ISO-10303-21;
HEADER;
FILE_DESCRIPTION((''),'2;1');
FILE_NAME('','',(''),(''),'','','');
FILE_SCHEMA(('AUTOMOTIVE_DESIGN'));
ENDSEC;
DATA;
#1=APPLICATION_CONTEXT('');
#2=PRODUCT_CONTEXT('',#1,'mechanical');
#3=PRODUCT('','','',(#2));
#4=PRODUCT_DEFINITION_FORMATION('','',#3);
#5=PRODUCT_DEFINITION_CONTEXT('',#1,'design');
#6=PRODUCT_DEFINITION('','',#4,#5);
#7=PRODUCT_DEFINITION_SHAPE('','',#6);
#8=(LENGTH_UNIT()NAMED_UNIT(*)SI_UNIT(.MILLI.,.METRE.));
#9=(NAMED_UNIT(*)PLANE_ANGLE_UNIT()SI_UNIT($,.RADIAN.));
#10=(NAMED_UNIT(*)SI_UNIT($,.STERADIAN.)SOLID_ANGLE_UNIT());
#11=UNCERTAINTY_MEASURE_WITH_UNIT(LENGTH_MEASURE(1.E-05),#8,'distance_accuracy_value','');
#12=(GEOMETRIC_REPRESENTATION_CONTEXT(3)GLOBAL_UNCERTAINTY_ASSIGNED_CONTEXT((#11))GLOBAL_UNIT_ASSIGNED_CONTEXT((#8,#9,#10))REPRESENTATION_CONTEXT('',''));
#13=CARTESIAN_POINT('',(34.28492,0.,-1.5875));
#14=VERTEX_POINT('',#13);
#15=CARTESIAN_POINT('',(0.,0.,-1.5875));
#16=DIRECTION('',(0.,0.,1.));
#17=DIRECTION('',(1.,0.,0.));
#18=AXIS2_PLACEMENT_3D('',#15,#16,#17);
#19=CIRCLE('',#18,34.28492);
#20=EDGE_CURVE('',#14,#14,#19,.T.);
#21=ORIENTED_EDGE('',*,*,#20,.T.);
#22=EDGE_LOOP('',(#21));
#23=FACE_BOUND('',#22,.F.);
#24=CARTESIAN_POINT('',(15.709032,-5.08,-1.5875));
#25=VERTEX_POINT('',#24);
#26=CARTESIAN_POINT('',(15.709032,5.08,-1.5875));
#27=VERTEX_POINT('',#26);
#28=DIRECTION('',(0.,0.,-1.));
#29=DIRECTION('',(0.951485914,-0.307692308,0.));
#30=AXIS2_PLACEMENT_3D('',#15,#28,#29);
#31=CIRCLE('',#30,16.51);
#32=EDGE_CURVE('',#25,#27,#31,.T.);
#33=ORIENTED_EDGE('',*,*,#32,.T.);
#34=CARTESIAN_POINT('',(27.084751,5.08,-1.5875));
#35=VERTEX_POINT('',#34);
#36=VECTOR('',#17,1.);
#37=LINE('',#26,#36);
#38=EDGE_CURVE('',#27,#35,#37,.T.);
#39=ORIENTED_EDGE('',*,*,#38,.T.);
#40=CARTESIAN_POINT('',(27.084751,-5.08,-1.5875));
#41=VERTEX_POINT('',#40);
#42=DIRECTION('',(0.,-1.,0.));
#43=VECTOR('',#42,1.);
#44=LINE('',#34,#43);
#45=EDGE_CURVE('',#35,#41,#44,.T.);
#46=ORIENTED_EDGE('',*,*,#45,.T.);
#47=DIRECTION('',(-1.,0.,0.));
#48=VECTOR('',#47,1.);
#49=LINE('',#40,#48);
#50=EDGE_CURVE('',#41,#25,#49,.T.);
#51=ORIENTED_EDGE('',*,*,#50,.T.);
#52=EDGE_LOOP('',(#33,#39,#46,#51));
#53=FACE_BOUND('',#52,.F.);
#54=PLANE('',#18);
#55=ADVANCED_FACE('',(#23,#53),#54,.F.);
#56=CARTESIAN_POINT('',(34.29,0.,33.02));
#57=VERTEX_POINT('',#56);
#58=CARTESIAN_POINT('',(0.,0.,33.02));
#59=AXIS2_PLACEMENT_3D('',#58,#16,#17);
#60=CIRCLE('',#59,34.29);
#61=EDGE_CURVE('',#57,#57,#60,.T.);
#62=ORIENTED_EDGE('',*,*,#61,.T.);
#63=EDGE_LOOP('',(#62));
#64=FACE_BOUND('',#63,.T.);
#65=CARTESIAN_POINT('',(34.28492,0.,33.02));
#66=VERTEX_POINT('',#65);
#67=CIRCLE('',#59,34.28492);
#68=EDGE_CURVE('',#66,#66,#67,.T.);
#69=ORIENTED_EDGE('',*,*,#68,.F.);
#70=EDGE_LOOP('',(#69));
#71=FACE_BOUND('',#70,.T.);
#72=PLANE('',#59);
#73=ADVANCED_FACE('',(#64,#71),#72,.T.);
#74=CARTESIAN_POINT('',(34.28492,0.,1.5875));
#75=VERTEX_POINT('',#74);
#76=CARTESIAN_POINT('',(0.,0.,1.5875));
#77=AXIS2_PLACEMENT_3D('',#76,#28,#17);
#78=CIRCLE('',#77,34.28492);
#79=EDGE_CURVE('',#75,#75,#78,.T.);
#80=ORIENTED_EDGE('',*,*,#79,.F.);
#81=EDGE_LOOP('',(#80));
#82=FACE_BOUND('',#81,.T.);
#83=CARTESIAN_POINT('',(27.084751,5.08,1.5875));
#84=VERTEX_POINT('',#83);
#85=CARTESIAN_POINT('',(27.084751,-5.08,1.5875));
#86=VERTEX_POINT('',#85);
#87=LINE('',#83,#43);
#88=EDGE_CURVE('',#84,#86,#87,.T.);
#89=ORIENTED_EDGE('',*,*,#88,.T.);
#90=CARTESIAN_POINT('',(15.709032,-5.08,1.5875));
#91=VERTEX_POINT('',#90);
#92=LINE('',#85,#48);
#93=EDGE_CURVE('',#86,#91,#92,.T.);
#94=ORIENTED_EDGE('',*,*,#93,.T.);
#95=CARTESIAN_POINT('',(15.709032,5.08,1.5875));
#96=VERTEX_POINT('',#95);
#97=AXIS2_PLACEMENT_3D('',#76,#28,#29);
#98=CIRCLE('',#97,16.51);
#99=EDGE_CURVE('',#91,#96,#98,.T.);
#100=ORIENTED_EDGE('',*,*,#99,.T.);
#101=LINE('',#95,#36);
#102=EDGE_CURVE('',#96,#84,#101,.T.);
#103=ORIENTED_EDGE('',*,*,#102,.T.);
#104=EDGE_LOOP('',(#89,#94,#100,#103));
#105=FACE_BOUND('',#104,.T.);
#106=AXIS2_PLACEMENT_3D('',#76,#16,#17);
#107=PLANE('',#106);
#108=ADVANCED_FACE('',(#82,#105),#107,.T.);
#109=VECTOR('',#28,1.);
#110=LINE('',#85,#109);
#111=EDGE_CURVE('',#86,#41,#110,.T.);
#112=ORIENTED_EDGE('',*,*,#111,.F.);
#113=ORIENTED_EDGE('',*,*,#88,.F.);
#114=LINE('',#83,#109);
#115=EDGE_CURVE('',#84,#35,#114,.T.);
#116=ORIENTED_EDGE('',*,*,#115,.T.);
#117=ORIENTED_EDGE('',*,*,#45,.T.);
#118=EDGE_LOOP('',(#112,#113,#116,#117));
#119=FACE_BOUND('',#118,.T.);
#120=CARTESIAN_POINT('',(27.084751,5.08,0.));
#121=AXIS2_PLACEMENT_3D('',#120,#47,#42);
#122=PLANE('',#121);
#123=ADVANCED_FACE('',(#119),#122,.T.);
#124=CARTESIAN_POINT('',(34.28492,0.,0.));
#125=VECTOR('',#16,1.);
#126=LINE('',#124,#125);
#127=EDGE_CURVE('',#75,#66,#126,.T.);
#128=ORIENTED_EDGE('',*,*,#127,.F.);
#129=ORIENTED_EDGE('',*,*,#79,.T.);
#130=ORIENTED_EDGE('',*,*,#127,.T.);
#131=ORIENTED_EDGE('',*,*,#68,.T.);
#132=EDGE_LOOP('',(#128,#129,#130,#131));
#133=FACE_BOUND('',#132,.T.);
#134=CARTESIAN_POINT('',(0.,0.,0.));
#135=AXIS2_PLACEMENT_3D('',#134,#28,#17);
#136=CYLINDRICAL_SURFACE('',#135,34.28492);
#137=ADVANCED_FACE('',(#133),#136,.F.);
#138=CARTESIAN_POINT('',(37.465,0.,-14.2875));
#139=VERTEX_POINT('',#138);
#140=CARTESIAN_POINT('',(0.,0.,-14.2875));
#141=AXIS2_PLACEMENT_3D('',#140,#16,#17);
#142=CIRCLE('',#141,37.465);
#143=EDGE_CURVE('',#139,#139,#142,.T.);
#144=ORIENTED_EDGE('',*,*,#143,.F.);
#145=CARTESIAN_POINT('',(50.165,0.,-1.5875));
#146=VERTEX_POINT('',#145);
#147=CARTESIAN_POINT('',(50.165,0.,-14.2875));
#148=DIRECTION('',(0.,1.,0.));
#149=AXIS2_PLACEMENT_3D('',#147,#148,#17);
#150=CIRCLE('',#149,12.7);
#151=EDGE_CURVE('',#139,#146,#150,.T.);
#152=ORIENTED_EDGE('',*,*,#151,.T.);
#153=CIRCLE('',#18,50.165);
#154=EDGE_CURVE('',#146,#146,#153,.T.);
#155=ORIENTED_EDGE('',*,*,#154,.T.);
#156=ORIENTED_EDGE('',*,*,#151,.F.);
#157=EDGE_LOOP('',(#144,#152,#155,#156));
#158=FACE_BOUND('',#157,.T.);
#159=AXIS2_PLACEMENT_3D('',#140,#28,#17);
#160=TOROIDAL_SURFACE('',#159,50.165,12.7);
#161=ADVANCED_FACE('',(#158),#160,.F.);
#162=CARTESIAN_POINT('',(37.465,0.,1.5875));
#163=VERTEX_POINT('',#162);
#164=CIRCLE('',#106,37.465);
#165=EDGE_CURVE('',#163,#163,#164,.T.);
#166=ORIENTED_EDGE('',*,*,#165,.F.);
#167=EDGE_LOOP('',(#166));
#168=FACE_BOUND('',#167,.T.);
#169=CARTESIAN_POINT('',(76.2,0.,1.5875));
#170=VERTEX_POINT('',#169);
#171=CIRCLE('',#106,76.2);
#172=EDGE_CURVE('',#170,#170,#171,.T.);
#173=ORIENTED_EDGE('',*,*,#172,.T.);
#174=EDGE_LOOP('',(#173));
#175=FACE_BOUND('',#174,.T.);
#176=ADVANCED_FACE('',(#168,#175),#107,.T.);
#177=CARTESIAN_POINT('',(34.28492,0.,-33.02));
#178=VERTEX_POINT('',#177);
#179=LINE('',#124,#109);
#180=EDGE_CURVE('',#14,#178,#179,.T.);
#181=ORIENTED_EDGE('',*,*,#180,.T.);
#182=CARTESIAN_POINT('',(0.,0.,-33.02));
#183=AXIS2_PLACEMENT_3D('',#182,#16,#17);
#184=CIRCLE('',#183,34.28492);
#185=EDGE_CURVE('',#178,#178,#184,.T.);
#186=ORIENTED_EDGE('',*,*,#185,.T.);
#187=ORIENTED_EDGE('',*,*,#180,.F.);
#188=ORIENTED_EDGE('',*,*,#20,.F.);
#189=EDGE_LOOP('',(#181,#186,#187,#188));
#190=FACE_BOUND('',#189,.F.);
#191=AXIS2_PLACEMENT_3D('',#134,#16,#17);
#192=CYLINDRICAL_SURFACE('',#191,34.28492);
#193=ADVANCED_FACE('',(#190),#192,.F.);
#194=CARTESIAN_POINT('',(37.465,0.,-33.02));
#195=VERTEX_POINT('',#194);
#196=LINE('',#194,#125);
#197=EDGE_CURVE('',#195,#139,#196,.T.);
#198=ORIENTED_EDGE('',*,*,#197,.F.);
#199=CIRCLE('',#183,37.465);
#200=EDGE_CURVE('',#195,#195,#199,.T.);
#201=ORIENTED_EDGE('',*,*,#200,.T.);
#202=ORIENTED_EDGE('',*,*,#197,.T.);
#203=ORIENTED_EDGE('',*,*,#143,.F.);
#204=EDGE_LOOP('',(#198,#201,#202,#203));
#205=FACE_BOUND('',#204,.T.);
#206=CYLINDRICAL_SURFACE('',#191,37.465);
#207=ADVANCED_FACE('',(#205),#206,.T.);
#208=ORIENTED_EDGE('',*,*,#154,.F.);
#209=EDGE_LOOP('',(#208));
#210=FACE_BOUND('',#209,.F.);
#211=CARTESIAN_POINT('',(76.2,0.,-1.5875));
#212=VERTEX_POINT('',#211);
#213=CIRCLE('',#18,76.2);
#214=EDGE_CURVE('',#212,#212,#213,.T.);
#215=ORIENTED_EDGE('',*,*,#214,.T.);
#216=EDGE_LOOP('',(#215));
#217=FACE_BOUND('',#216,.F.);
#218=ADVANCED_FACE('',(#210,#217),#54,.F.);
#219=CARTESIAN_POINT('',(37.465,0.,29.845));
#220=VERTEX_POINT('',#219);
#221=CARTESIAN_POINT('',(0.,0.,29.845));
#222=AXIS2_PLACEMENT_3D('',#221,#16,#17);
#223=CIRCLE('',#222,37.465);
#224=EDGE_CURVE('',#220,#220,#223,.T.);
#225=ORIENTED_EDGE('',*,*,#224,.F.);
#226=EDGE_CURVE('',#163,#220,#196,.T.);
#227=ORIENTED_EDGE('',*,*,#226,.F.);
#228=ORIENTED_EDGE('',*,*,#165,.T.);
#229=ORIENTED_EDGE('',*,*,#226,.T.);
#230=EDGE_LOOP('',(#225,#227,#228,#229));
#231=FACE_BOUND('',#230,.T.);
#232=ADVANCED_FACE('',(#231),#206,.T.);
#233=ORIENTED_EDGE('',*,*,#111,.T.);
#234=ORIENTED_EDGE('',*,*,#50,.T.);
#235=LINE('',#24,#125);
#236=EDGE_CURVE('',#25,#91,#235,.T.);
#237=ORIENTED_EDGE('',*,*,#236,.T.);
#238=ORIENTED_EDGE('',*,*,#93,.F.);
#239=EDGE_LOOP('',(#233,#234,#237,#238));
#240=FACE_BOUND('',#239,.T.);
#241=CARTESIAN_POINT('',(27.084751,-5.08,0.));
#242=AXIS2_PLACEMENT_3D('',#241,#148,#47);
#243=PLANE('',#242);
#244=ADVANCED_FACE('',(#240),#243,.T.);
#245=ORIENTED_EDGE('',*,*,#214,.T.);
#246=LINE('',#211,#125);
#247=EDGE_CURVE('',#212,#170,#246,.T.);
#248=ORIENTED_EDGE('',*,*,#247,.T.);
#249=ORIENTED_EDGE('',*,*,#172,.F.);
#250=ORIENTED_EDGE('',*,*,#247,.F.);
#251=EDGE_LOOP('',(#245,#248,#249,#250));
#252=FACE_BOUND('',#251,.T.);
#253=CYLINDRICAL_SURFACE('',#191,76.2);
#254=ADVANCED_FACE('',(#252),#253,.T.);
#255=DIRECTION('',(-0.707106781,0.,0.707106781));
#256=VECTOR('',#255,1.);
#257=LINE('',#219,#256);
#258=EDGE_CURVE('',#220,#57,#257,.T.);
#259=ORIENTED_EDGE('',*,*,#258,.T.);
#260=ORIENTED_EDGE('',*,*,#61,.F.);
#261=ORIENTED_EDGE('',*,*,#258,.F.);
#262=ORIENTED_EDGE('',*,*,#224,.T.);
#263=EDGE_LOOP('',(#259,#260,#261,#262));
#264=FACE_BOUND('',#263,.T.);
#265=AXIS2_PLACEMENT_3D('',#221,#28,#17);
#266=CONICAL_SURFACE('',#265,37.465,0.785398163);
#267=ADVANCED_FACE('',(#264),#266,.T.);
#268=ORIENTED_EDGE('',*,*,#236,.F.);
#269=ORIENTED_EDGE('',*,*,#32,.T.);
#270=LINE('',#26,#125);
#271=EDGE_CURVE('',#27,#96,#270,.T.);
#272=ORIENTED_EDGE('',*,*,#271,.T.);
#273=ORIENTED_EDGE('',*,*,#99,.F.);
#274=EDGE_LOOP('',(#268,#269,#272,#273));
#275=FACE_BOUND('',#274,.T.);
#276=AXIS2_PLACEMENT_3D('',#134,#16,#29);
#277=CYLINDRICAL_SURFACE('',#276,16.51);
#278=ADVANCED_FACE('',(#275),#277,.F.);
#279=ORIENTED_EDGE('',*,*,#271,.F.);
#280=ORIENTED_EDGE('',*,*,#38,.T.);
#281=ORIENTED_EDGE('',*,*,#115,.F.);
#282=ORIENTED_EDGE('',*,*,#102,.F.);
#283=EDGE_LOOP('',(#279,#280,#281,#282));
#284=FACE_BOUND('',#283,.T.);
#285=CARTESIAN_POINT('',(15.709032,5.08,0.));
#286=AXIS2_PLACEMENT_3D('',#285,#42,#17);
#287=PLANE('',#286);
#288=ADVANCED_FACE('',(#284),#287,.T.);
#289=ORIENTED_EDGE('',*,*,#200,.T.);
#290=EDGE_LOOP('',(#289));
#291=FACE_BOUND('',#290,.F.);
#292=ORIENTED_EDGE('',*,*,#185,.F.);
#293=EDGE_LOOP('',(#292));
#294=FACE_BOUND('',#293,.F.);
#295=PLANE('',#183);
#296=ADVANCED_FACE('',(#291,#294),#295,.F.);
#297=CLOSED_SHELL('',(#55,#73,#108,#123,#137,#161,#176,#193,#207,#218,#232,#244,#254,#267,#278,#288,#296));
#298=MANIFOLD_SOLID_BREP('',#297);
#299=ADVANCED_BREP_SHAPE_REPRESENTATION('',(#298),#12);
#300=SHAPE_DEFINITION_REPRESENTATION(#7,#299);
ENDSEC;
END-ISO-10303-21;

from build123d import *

# Parameters (mm, degrees)
F0_R          = 37.465
F0_R_2        = 34.28492
F1_DEPTH      = 33.02
F1_DEPTH_BACK = 33.02
F2_SIZE       = 3.175
F3_R          = 76.2
F4_DEPTH      = 1.5875
F4_DEPTH_BACK = 1.5875
F5_R          = 12.7


with BuildPart() as f1:
    # F0 (on Top) → F1 (new body, two sides)
    with BuildSketch(Plane.XY) as f1_sk:
        Circle(F0_R)
        Circle(F0_R_2, mode=Mode.SUBTRACT)
    extrude(amount=F1_DEPTH)
    extrude(f1_sk.sketch, amount=-F1_DEPTH_BACK)

    # F2
    f2_edges = [f1.edges().sort_by_distance(p)[0] for p in [
        (-37.465, 0, 33.02),
    ]]
    chamfer(f2_edges, length=F2_SIZE)

    # F3 (on Top) → F4 (join, two sides)
    with BuildSketch(Plane.XY) as f4_sk:
        Circle(F3_R)
        with BuildLine():
            ThreePointArc((15.7090324336, -5.08), (-16.51, 0), (15.7090324336, 5.08))
            Line((15.7090324336, 5.08), (27.08475078, 5.08))
            Line((27.08475078, 5.08), (27.08475078, -5.08))
            Line((27.08475078, -5.08), (15.7090324336, -5.08))
        make_face(mode=Mode.SUBTRACT)
    extrude(amount=F4_DEPTH)
    extrude(f4_sk.sketch, amount=-F4_DEPTH_BACK)

    # F5
    f5_edges = [f1.edges().sort_by_distance(p)[0] for p in [
        (-37.465, 0, -1.5875),
    ]]
    fillet(f5_edges, radius=F5_R)


solid = f1.part
